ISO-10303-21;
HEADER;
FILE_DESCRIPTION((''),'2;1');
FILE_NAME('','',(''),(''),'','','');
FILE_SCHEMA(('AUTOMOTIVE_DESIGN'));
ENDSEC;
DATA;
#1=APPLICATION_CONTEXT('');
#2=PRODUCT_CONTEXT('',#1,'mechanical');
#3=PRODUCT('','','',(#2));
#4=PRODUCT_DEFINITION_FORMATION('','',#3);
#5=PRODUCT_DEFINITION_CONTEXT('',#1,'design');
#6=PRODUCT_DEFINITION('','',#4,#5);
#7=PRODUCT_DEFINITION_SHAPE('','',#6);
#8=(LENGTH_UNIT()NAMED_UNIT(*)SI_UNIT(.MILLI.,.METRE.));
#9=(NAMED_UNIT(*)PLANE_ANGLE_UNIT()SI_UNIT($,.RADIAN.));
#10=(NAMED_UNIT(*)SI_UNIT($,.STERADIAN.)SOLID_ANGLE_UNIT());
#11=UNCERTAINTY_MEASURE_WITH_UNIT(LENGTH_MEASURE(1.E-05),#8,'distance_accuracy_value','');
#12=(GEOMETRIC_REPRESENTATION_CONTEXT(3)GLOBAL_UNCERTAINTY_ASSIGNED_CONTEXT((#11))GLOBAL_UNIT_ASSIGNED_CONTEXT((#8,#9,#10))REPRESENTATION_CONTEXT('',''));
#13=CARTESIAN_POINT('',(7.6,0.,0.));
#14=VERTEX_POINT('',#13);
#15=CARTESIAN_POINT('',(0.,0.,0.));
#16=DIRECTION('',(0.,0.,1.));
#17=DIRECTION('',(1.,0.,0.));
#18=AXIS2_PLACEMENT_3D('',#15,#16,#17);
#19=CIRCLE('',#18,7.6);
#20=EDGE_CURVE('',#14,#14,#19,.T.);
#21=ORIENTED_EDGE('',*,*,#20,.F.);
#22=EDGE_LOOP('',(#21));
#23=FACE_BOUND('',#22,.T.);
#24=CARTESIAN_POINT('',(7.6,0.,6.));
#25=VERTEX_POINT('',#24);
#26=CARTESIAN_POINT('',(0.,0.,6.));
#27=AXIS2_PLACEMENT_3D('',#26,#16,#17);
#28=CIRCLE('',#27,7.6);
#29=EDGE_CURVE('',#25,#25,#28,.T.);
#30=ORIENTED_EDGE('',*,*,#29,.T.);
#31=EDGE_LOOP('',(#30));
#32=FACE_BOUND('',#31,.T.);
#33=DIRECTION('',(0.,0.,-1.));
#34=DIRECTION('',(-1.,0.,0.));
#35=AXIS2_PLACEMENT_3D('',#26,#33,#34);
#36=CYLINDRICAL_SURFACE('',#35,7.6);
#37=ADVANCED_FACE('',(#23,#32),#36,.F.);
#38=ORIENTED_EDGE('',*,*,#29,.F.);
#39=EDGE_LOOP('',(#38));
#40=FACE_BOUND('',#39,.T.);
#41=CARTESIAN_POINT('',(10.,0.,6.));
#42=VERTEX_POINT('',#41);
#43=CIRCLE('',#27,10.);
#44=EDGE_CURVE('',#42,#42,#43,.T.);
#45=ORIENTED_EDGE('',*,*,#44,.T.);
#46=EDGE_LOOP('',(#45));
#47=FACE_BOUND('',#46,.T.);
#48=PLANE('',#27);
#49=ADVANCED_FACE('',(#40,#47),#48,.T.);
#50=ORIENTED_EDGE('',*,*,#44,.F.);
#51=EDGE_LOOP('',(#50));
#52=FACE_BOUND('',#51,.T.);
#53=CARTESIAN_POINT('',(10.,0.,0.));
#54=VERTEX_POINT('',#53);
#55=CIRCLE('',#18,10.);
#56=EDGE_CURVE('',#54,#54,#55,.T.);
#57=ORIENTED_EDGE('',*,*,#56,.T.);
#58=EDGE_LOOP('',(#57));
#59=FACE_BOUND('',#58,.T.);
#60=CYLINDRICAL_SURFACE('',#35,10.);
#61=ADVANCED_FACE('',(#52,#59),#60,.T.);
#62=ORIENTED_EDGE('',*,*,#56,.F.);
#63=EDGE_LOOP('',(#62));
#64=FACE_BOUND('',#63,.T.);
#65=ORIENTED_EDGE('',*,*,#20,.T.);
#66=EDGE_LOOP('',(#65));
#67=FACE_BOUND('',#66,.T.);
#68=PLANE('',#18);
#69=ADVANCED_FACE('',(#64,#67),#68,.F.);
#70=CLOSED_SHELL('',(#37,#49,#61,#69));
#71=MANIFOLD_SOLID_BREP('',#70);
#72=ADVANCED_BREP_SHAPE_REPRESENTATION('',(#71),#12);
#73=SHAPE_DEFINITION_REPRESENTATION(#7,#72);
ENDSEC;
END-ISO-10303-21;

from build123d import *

# Parameters (mm, degrees)
ESBO_O1_R                = 10
ESBO_O1_R_2              = 7.6
RESSALTO_EXTRUS_O1_DEPTH = 6


with BuildPart() as part:
    # Esboço1 → Ressalto-extrusão1 (new body)
    with BuildSketch(Plane.XY):
        Circle(ESBO_O1_R)
        Circle(ESBO_O1_R_2, mode=Mode.SUBTRACT)
    extrude(amount=RESSALTO_EXTRUS_O1_DEPTH)


solid = part.part
